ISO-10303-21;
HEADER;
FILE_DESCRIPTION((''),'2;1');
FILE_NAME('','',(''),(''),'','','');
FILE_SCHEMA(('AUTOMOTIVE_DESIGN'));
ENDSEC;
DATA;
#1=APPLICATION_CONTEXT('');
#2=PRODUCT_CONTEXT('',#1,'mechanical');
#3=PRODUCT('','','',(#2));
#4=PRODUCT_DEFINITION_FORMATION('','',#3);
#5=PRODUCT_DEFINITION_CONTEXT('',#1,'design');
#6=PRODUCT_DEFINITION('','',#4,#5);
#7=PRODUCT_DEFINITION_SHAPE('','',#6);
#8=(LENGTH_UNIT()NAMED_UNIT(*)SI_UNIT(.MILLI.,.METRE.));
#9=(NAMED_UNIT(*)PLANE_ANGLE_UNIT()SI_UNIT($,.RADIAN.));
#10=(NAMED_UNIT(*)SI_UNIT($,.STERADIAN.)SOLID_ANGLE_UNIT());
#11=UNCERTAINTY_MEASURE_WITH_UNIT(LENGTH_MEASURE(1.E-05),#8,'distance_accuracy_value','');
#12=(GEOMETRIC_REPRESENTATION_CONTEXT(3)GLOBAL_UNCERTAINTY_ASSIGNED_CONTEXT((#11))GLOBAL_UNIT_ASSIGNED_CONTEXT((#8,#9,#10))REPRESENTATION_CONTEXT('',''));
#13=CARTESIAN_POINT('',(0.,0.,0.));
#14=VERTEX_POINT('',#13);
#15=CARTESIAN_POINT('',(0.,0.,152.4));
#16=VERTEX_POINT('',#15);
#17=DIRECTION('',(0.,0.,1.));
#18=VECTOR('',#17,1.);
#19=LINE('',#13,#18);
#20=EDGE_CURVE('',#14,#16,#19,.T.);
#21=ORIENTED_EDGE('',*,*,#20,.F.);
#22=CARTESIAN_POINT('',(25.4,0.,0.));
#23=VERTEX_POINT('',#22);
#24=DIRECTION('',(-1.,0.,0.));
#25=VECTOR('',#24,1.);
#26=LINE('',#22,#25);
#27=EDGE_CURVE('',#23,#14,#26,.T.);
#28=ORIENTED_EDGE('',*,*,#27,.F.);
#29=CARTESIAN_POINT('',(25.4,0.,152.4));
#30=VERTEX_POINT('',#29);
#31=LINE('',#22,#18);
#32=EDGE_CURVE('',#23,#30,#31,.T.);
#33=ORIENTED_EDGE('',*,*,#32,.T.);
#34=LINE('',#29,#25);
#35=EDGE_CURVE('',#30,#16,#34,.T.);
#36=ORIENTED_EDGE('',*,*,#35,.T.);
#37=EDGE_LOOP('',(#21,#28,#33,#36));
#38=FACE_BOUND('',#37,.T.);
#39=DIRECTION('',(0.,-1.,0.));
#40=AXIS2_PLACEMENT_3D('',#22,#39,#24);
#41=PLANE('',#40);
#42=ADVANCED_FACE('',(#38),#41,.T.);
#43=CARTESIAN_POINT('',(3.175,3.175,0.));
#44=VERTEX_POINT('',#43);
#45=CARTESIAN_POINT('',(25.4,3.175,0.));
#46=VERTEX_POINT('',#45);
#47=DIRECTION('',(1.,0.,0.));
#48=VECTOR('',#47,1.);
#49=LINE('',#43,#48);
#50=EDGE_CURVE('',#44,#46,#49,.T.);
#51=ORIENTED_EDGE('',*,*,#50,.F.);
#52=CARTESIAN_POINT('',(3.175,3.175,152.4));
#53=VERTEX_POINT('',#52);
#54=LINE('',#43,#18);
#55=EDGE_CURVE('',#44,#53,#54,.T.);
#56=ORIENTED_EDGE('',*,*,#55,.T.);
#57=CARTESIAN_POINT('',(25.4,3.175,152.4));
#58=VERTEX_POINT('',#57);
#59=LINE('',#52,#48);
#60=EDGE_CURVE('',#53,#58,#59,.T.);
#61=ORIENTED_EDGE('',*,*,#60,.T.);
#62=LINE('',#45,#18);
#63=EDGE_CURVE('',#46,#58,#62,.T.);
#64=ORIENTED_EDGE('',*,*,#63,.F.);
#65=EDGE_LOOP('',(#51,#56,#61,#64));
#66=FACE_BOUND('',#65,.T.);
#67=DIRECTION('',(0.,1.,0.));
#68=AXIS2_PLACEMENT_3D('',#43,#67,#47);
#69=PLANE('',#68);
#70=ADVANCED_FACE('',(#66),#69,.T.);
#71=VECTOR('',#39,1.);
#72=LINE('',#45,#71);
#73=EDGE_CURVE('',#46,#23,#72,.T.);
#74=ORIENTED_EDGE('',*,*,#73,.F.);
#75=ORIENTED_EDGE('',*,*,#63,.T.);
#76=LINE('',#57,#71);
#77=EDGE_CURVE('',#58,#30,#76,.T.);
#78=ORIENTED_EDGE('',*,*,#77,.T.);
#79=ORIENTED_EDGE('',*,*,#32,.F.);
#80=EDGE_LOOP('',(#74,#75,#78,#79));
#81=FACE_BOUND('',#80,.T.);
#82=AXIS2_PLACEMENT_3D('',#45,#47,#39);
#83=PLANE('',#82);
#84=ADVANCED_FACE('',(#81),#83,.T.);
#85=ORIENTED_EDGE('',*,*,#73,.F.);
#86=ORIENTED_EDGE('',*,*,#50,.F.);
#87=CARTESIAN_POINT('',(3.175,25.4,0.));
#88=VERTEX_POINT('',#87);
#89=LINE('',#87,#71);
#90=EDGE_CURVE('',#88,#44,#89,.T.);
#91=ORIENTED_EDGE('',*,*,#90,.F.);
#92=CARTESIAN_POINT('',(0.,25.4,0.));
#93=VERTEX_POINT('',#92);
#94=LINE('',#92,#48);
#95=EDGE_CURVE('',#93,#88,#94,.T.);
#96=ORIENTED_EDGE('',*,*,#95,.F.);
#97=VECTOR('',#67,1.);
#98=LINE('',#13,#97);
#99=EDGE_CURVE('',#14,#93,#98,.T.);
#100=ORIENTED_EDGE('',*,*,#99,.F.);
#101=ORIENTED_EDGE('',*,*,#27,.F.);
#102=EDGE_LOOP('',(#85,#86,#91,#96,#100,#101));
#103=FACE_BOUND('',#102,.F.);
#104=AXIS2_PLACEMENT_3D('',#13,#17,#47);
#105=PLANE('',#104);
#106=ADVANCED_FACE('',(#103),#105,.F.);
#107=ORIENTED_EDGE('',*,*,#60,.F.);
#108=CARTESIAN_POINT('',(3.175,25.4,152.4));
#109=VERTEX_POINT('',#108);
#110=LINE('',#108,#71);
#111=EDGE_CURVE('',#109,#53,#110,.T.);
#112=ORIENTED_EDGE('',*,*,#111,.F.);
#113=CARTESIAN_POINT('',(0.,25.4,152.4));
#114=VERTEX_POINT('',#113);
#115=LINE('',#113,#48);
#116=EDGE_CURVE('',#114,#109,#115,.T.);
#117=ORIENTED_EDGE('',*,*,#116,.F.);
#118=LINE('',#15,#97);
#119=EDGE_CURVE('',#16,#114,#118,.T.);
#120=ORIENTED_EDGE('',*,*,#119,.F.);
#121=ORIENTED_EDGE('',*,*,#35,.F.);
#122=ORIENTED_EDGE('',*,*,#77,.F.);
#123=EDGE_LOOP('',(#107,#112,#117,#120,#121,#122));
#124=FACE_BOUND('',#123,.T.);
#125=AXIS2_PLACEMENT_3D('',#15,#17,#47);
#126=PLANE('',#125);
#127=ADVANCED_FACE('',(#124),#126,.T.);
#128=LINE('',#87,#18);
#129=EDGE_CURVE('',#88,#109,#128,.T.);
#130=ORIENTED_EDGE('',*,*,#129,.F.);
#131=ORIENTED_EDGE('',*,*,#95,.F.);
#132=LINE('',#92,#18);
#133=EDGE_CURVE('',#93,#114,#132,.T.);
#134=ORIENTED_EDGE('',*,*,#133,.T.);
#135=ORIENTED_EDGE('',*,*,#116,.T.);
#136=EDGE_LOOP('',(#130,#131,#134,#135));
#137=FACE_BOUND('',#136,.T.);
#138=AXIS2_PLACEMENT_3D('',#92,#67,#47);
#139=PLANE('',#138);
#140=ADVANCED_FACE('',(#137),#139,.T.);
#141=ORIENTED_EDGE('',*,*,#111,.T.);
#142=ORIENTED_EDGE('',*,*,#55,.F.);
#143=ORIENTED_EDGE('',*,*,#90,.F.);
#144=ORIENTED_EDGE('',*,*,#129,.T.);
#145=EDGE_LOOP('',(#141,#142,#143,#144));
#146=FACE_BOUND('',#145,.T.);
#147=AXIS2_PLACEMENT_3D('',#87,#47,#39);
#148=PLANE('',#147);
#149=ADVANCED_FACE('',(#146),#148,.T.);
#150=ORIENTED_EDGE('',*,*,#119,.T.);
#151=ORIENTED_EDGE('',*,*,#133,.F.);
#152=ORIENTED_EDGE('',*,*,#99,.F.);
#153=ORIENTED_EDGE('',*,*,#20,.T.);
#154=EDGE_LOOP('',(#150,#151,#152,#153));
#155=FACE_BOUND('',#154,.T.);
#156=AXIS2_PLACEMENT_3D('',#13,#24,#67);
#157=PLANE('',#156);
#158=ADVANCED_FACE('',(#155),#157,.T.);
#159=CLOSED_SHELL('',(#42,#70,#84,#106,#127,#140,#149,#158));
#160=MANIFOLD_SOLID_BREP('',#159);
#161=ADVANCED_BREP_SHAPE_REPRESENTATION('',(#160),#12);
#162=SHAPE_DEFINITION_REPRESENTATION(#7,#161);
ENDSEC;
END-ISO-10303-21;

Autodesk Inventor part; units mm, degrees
ref_plane "YZ Plane" through (0, 0, 0) normal (1, 0, 0) x (0, 1, 0)
ref_plane "XZ Plane" through (0, 0, 0) normal (0, 1, 0) x (-1, 0, 0)
ref_plane "XY Plane" through (0, 0, 0) normal (0, 0, 1) x (1, 0, 0)
sketch "Sketch1" plane through (0, 0, 0) normal (0, 0, 1) x (1, 0, 0)
  line L0 (0, 0) -> (0, 25.4)
  line L1 (0, 25.4) -> (3.175, 25.4)
  line L2 (3.175, 25.4) -> (3.175, 3.175)
  line L3 (3.175, 3.175) -> (25.4, 3.175)
  line L4 (25.4, 3.175) -> (25.4, 0)
  line L5 (25.4, 0) -> (0, 0)
  dimension "d0" = 25.4
  dimension "d1" = 3.175
extrude "Extrusion1" add sketch "Sketch1" along normal blind 152.4
properties part number "VerticalJagTowerMount"
